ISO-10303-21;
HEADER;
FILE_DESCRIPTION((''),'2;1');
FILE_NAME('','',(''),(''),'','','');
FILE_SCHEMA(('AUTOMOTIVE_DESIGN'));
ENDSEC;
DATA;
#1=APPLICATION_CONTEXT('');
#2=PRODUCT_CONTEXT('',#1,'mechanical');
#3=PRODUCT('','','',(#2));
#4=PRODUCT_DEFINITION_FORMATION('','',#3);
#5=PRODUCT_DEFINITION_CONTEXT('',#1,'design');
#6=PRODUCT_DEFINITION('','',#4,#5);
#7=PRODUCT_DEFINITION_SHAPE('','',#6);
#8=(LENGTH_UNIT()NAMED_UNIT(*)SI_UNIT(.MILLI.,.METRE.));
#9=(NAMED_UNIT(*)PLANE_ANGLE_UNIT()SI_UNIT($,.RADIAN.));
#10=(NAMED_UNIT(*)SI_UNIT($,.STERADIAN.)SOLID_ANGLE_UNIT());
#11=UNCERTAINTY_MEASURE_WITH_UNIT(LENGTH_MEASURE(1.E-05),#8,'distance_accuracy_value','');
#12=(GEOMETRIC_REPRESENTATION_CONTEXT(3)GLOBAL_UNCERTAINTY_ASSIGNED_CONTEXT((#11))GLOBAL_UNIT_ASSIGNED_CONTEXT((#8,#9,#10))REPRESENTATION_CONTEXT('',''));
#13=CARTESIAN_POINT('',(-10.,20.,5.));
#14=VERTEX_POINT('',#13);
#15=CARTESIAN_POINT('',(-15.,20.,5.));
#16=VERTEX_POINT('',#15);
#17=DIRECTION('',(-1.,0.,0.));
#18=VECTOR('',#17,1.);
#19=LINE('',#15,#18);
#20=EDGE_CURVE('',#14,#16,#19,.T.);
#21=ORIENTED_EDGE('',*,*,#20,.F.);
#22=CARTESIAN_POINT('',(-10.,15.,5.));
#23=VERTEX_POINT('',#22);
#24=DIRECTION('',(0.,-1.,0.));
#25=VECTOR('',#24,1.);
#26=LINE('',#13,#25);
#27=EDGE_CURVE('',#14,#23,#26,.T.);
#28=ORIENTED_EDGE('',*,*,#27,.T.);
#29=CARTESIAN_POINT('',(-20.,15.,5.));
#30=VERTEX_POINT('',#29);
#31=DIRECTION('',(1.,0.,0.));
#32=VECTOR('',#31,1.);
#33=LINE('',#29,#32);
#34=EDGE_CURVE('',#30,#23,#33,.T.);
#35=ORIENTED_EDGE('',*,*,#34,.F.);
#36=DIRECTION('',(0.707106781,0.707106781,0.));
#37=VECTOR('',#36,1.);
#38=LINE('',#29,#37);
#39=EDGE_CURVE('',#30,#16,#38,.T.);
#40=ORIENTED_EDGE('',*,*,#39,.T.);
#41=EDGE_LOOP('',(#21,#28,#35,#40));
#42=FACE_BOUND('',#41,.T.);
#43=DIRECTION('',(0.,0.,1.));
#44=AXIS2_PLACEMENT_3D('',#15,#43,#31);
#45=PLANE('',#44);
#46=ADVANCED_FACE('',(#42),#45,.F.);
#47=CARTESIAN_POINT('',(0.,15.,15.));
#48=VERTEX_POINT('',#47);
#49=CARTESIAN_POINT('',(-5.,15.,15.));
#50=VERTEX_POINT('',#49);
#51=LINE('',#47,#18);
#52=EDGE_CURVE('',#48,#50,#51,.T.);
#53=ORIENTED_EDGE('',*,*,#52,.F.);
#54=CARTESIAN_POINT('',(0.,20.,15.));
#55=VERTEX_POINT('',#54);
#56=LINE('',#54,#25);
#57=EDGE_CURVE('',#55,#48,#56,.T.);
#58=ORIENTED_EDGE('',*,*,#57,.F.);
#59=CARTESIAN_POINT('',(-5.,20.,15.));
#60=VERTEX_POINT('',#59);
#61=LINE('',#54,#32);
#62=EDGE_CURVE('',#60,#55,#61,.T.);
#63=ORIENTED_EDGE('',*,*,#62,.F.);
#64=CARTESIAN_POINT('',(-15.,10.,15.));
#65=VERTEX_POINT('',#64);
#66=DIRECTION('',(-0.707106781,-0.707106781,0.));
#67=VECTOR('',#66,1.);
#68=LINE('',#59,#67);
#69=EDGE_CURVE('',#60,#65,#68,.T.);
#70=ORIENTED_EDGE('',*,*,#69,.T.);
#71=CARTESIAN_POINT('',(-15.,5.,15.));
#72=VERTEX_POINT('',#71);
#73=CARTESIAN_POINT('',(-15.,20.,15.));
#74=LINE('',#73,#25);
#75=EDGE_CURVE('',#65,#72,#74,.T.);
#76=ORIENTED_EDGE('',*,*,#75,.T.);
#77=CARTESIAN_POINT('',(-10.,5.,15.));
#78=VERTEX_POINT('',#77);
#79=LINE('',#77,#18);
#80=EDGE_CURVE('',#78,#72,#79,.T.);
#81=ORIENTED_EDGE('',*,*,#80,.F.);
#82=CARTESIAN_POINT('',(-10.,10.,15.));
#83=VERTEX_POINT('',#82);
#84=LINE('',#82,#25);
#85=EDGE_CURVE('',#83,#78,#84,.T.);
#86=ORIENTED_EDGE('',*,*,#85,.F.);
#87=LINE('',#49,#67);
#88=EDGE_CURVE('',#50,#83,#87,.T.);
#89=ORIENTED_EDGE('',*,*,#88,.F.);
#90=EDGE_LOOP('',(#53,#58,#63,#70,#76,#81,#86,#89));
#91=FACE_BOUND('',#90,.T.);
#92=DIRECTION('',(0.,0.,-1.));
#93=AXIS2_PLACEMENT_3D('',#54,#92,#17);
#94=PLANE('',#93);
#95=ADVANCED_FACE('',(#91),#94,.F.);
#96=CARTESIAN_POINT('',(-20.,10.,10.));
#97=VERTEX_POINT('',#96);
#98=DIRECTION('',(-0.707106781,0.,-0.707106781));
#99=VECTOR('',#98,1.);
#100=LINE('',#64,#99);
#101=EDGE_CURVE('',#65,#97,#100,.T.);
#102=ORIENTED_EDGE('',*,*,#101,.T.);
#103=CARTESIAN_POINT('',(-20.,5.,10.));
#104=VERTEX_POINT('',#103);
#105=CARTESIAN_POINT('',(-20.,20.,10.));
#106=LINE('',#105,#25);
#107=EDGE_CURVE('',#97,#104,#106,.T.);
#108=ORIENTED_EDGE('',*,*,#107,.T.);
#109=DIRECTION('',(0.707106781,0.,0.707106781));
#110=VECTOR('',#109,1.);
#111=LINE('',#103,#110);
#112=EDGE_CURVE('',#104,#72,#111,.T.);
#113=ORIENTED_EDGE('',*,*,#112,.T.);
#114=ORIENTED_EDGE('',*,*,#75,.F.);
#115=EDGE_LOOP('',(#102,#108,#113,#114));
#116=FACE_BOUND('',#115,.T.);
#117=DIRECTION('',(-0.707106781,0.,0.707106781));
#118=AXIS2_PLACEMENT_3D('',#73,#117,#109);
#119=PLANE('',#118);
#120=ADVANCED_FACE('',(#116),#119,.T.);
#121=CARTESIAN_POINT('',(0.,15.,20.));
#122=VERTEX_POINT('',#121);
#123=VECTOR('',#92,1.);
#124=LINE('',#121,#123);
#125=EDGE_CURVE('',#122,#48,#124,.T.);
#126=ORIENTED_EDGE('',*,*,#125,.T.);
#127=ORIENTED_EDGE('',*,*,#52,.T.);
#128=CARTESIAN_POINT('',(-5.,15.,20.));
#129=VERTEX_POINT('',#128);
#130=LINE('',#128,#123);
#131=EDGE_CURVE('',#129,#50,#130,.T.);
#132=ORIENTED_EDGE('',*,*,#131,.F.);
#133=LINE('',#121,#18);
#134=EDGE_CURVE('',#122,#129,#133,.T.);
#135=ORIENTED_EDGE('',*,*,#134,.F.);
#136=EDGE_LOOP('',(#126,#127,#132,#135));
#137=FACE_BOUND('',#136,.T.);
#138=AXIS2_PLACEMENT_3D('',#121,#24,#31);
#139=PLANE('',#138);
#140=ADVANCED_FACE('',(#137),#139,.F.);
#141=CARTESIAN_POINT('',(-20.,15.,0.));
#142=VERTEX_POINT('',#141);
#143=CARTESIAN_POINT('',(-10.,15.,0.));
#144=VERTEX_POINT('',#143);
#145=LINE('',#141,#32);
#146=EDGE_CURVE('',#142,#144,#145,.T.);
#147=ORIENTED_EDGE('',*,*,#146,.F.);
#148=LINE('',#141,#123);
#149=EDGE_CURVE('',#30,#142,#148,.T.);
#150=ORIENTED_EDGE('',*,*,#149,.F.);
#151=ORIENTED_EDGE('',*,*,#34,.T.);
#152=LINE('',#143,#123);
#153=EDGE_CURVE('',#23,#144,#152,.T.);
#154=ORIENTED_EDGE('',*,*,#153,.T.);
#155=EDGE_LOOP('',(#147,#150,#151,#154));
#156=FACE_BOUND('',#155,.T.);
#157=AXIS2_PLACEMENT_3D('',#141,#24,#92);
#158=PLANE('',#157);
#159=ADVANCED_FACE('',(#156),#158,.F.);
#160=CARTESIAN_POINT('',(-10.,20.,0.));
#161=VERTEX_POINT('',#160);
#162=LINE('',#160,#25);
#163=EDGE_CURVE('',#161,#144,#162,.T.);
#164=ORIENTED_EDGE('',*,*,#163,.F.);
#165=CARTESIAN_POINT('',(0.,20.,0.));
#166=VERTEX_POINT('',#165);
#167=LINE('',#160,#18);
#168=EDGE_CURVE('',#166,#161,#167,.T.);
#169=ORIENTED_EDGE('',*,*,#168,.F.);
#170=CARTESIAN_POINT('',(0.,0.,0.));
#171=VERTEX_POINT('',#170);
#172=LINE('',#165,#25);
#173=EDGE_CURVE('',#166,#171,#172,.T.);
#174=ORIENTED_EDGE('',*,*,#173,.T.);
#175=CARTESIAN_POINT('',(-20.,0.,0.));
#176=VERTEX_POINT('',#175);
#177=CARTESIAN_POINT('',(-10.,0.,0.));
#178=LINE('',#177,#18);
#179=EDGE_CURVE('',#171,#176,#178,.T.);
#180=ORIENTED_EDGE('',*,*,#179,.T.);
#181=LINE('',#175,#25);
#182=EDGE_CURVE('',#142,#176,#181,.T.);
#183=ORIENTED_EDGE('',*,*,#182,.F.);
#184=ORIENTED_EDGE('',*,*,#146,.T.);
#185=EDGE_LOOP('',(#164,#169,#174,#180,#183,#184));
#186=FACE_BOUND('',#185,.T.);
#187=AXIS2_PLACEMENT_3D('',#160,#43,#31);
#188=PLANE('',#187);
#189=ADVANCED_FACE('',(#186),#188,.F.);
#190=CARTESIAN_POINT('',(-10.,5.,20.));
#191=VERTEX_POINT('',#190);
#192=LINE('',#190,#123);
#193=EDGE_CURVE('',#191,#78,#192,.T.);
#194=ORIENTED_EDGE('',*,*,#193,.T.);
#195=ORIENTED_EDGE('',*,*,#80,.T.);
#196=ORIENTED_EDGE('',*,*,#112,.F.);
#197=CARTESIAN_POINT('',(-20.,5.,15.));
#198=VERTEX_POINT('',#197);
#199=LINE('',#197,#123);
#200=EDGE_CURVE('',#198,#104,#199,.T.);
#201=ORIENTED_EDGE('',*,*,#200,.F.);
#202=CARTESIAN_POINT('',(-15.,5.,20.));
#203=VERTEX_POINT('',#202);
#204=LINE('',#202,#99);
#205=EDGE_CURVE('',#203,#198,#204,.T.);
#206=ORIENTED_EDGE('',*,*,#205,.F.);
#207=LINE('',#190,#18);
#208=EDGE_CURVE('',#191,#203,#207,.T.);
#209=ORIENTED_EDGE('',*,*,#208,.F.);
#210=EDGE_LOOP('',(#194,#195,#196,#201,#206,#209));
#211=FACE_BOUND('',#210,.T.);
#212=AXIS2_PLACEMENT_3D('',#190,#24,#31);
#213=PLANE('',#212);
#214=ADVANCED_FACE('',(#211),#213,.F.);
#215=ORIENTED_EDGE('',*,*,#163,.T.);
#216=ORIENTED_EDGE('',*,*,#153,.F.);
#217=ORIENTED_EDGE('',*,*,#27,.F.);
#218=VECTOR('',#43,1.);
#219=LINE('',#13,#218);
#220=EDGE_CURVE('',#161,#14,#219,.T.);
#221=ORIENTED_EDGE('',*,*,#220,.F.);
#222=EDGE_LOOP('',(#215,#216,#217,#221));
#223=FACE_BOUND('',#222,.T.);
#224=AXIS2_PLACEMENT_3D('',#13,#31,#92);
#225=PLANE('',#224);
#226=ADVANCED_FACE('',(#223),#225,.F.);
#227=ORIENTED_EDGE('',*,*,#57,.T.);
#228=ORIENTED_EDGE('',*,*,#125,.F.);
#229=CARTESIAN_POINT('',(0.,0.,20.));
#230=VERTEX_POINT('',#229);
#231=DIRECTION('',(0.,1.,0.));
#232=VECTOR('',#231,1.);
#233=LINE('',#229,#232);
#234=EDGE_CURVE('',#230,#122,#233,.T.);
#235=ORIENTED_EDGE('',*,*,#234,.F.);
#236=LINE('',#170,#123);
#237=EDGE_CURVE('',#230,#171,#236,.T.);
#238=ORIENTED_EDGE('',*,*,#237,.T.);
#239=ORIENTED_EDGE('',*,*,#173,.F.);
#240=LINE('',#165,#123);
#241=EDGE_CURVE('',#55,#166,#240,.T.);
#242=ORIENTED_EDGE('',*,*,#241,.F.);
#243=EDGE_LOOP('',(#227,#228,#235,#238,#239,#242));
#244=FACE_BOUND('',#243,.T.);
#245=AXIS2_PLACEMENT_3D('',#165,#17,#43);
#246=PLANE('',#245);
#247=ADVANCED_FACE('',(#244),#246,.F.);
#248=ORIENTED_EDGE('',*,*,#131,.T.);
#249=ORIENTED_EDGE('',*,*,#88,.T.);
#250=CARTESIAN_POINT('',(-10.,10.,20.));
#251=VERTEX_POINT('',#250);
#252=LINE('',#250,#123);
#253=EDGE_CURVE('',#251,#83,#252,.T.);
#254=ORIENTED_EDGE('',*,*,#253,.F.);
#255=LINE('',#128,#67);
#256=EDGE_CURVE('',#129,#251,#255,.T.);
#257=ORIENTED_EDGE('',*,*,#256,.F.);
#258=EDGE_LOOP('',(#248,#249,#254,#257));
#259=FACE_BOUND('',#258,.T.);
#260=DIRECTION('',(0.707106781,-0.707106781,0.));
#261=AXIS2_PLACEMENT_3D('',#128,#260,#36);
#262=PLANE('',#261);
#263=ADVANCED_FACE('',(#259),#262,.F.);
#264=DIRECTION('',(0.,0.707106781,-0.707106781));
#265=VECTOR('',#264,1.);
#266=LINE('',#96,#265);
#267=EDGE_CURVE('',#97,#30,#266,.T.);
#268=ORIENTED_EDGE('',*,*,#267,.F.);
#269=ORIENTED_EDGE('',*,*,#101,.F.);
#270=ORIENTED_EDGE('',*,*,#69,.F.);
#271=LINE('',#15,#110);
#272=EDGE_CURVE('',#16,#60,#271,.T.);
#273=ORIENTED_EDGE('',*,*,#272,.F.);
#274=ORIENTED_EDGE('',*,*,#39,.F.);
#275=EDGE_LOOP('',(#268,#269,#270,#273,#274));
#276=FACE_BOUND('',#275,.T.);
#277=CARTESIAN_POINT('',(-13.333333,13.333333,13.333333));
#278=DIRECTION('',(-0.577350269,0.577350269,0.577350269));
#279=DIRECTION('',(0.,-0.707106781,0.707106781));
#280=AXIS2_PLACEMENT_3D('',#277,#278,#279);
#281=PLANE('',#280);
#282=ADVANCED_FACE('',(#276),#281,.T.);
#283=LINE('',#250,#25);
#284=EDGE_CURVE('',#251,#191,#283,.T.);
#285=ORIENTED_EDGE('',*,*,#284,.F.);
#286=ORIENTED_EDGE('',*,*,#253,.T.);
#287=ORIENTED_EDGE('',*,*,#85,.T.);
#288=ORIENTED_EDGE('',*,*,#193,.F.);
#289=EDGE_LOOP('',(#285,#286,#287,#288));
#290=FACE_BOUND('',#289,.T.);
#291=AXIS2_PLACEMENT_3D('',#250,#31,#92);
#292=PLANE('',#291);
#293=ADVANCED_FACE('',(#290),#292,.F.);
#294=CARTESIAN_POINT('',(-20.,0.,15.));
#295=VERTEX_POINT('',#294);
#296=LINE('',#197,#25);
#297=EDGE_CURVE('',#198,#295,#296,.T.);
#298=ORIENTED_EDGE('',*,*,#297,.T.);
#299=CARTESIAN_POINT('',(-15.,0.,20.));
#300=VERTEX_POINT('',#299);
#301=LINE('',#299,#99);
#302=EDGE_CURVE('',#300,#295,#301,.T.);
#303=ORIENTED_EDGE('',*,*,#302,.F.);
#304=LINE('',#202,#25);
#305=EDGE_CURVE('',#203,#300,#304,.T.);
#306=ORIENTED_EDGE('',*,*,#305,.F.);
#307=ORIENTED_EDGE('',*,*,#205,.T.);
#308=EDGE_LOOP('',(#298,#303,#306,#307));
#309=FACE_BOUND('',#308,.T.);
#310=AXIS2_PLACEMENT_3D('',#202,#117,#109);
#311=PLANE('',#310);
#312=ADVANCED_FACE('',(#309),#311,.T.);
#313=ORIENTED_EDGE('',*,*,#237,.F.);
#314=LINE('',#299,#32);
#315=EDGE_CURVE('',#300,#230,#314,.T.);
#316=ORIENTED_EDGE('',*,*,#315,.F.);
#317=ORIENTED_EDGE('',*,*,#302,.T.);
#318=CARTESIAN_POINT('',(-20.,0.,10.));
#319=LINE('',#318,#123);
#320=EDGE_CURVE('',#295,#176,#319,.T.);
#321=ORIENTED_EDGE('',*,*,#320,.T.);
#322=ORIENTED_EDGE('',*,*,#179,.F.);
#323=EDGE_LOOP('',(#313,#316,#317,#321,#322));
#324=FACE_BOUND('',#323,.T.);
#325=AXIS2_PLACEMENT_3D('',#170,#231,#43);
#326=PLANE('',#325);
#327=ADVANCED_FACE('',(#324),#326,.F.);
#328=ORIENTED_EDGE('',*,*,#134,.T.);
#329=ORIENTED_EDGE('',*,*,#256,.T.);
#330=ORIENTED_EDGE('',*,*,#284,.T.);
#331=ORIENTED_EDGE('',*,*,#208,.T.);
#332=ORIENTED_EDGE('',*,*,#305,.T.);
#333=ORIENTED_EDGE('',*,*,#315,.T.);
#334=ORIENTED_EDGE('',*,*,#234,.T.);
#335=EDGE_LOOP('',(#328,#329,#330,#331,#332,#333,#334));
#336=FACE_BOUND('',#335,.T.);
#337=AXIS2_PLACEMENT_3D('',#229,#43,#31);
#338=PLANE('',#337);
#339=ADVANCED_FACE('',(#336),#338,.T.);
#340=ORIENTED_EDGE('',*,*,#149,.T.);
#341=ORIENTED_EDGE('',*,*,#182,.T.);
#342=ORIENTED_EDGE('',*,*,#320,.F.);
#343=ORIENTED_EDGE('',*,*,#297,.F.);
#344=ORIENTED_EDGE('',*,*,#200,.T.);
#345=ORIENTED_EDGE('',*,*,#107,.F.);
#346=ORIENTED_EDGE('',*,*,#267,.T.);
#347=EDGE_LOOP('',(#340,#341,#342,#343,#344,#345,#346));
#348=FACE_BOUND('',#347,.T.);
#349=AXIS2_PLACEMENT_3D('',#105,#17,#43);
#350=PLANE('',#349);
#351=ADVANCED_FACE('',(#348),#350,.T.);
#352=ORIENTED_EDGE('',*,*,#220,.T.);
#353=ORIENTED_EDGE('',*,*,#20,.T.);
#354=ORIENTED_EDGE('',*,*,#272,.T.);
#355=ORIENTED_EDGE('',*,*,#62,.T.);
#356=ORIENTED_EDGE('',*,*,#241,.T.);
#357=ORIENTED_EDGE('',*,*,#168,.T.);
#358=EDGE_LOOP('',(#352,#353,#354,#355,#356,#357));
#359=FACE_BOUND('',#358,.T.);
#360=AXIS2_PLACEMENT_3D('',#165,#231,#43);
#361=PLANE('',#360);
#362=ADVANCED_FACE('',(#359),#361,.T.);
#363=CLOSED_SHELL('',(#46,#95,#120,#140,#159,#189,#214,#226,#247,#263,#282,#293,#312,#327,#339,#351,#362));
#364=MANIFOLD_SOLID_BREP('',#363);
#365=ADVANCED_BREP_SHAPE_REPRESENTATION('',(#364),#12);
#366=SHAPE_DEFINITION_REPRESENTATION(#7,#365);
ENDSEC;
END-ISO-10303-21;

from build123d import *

# Parameters (mm, degrees)
BOSS_EXTRUDE1_DEPTH = 20
BOSS_EXTRUDE2_DEPTH = 20
CUT_EXTRUDE1_DEPTH  = 20
BOSS_EXTRUDE3_DEPTH = 5
BOSS_EXTRUDE4_DEPTH = 5
SKETCH7_W           = 5
SKETCH7_H           = 15
BOSS_EXTRUDE5_DEPTH = 10


with BuildPart() as part:
    # Sketch2 → Boss-Extrude1 (new body)
    with BuildSketch(Plane(origin=(0, 0, 0), x_dir=(1, 0, 0), z_dir=(0, 1, 0))):
        Polygon((-10, -5), (-10, 0), (0, 0), (0, -15), (-5, -15), (-15, -5), align=None)
    extrude(amount=BOSS_EXTRUDE1_DEPTH)

    # Sketch3 → Boss-Extrude2 (add)
    with BuildSketch(Plane(origin=(0, 0, 0), x_dir=(-1, 0, 0), z_dir=(0, -1, 0))):
        Polygon((15, -5), (5, -15), (15, -15), (20, -10), (20, -5), align=None)
    extrude(amount=-BOSS_EXTRUDE2_DEPTH)

    # 3DSketch2 → Cut-Extrude1 (cut, along a direction that is not the sketch's normal)
    with BuildSketch(Plane(origin=(-15, 20, 5), x_dir=(0, -0.7071067811865476, 0.7071067811865475), z_dir=(-0.5773502691896257, 0.5773502691896257, 0.5773502691896257))):
        Polygon((0, 0), (7.071067812, 12.247448714), (14.142135624, 0), (10.606601718, -6.123724357), (3.535533906, -6.123724357), align=None)
    extrude(amount=CUT_EXTRUDE1_DEPTH, dir=(0, 1, 0), mode=Mode.SUBTRACT)

    # Sketch5 → Boss-Extrude3 (add)
    with BuildSketch(Plane.XY.offset(15)):
        Polygon((0, 15), (-5, 15), (-10, 10), (-10, 5), (-15, 5), (-15, 0), (0, 0), align=None)
    extrude(amount=BOSS_EXTRUDE3_DEPTH)

    # Sketch6 → Boss-Extrude4 (add)
    with BuildSketch(Plane(origin=(0, 0, 0), x_dir=(-1, 0, 0), z_dir=(0, -1, 0))):
        Polygon((20, -10), (15, -15), (15, -20), (20, -15), align=None)
    extrude(amount=-BOSS_EXTRUDE4_DEPTH)

    # Sketch7 → Boss-Extrude5 (add)
    with BuildSketch(Plane.ZY.offset(10)):
        with Locations((2.5, 7.5)):
            Rectangle(SKETCH7_W, SKETCH7_H)
    extrude(amount=BOSS_EXTRUDE5_DEPTH)


solid = part.part
